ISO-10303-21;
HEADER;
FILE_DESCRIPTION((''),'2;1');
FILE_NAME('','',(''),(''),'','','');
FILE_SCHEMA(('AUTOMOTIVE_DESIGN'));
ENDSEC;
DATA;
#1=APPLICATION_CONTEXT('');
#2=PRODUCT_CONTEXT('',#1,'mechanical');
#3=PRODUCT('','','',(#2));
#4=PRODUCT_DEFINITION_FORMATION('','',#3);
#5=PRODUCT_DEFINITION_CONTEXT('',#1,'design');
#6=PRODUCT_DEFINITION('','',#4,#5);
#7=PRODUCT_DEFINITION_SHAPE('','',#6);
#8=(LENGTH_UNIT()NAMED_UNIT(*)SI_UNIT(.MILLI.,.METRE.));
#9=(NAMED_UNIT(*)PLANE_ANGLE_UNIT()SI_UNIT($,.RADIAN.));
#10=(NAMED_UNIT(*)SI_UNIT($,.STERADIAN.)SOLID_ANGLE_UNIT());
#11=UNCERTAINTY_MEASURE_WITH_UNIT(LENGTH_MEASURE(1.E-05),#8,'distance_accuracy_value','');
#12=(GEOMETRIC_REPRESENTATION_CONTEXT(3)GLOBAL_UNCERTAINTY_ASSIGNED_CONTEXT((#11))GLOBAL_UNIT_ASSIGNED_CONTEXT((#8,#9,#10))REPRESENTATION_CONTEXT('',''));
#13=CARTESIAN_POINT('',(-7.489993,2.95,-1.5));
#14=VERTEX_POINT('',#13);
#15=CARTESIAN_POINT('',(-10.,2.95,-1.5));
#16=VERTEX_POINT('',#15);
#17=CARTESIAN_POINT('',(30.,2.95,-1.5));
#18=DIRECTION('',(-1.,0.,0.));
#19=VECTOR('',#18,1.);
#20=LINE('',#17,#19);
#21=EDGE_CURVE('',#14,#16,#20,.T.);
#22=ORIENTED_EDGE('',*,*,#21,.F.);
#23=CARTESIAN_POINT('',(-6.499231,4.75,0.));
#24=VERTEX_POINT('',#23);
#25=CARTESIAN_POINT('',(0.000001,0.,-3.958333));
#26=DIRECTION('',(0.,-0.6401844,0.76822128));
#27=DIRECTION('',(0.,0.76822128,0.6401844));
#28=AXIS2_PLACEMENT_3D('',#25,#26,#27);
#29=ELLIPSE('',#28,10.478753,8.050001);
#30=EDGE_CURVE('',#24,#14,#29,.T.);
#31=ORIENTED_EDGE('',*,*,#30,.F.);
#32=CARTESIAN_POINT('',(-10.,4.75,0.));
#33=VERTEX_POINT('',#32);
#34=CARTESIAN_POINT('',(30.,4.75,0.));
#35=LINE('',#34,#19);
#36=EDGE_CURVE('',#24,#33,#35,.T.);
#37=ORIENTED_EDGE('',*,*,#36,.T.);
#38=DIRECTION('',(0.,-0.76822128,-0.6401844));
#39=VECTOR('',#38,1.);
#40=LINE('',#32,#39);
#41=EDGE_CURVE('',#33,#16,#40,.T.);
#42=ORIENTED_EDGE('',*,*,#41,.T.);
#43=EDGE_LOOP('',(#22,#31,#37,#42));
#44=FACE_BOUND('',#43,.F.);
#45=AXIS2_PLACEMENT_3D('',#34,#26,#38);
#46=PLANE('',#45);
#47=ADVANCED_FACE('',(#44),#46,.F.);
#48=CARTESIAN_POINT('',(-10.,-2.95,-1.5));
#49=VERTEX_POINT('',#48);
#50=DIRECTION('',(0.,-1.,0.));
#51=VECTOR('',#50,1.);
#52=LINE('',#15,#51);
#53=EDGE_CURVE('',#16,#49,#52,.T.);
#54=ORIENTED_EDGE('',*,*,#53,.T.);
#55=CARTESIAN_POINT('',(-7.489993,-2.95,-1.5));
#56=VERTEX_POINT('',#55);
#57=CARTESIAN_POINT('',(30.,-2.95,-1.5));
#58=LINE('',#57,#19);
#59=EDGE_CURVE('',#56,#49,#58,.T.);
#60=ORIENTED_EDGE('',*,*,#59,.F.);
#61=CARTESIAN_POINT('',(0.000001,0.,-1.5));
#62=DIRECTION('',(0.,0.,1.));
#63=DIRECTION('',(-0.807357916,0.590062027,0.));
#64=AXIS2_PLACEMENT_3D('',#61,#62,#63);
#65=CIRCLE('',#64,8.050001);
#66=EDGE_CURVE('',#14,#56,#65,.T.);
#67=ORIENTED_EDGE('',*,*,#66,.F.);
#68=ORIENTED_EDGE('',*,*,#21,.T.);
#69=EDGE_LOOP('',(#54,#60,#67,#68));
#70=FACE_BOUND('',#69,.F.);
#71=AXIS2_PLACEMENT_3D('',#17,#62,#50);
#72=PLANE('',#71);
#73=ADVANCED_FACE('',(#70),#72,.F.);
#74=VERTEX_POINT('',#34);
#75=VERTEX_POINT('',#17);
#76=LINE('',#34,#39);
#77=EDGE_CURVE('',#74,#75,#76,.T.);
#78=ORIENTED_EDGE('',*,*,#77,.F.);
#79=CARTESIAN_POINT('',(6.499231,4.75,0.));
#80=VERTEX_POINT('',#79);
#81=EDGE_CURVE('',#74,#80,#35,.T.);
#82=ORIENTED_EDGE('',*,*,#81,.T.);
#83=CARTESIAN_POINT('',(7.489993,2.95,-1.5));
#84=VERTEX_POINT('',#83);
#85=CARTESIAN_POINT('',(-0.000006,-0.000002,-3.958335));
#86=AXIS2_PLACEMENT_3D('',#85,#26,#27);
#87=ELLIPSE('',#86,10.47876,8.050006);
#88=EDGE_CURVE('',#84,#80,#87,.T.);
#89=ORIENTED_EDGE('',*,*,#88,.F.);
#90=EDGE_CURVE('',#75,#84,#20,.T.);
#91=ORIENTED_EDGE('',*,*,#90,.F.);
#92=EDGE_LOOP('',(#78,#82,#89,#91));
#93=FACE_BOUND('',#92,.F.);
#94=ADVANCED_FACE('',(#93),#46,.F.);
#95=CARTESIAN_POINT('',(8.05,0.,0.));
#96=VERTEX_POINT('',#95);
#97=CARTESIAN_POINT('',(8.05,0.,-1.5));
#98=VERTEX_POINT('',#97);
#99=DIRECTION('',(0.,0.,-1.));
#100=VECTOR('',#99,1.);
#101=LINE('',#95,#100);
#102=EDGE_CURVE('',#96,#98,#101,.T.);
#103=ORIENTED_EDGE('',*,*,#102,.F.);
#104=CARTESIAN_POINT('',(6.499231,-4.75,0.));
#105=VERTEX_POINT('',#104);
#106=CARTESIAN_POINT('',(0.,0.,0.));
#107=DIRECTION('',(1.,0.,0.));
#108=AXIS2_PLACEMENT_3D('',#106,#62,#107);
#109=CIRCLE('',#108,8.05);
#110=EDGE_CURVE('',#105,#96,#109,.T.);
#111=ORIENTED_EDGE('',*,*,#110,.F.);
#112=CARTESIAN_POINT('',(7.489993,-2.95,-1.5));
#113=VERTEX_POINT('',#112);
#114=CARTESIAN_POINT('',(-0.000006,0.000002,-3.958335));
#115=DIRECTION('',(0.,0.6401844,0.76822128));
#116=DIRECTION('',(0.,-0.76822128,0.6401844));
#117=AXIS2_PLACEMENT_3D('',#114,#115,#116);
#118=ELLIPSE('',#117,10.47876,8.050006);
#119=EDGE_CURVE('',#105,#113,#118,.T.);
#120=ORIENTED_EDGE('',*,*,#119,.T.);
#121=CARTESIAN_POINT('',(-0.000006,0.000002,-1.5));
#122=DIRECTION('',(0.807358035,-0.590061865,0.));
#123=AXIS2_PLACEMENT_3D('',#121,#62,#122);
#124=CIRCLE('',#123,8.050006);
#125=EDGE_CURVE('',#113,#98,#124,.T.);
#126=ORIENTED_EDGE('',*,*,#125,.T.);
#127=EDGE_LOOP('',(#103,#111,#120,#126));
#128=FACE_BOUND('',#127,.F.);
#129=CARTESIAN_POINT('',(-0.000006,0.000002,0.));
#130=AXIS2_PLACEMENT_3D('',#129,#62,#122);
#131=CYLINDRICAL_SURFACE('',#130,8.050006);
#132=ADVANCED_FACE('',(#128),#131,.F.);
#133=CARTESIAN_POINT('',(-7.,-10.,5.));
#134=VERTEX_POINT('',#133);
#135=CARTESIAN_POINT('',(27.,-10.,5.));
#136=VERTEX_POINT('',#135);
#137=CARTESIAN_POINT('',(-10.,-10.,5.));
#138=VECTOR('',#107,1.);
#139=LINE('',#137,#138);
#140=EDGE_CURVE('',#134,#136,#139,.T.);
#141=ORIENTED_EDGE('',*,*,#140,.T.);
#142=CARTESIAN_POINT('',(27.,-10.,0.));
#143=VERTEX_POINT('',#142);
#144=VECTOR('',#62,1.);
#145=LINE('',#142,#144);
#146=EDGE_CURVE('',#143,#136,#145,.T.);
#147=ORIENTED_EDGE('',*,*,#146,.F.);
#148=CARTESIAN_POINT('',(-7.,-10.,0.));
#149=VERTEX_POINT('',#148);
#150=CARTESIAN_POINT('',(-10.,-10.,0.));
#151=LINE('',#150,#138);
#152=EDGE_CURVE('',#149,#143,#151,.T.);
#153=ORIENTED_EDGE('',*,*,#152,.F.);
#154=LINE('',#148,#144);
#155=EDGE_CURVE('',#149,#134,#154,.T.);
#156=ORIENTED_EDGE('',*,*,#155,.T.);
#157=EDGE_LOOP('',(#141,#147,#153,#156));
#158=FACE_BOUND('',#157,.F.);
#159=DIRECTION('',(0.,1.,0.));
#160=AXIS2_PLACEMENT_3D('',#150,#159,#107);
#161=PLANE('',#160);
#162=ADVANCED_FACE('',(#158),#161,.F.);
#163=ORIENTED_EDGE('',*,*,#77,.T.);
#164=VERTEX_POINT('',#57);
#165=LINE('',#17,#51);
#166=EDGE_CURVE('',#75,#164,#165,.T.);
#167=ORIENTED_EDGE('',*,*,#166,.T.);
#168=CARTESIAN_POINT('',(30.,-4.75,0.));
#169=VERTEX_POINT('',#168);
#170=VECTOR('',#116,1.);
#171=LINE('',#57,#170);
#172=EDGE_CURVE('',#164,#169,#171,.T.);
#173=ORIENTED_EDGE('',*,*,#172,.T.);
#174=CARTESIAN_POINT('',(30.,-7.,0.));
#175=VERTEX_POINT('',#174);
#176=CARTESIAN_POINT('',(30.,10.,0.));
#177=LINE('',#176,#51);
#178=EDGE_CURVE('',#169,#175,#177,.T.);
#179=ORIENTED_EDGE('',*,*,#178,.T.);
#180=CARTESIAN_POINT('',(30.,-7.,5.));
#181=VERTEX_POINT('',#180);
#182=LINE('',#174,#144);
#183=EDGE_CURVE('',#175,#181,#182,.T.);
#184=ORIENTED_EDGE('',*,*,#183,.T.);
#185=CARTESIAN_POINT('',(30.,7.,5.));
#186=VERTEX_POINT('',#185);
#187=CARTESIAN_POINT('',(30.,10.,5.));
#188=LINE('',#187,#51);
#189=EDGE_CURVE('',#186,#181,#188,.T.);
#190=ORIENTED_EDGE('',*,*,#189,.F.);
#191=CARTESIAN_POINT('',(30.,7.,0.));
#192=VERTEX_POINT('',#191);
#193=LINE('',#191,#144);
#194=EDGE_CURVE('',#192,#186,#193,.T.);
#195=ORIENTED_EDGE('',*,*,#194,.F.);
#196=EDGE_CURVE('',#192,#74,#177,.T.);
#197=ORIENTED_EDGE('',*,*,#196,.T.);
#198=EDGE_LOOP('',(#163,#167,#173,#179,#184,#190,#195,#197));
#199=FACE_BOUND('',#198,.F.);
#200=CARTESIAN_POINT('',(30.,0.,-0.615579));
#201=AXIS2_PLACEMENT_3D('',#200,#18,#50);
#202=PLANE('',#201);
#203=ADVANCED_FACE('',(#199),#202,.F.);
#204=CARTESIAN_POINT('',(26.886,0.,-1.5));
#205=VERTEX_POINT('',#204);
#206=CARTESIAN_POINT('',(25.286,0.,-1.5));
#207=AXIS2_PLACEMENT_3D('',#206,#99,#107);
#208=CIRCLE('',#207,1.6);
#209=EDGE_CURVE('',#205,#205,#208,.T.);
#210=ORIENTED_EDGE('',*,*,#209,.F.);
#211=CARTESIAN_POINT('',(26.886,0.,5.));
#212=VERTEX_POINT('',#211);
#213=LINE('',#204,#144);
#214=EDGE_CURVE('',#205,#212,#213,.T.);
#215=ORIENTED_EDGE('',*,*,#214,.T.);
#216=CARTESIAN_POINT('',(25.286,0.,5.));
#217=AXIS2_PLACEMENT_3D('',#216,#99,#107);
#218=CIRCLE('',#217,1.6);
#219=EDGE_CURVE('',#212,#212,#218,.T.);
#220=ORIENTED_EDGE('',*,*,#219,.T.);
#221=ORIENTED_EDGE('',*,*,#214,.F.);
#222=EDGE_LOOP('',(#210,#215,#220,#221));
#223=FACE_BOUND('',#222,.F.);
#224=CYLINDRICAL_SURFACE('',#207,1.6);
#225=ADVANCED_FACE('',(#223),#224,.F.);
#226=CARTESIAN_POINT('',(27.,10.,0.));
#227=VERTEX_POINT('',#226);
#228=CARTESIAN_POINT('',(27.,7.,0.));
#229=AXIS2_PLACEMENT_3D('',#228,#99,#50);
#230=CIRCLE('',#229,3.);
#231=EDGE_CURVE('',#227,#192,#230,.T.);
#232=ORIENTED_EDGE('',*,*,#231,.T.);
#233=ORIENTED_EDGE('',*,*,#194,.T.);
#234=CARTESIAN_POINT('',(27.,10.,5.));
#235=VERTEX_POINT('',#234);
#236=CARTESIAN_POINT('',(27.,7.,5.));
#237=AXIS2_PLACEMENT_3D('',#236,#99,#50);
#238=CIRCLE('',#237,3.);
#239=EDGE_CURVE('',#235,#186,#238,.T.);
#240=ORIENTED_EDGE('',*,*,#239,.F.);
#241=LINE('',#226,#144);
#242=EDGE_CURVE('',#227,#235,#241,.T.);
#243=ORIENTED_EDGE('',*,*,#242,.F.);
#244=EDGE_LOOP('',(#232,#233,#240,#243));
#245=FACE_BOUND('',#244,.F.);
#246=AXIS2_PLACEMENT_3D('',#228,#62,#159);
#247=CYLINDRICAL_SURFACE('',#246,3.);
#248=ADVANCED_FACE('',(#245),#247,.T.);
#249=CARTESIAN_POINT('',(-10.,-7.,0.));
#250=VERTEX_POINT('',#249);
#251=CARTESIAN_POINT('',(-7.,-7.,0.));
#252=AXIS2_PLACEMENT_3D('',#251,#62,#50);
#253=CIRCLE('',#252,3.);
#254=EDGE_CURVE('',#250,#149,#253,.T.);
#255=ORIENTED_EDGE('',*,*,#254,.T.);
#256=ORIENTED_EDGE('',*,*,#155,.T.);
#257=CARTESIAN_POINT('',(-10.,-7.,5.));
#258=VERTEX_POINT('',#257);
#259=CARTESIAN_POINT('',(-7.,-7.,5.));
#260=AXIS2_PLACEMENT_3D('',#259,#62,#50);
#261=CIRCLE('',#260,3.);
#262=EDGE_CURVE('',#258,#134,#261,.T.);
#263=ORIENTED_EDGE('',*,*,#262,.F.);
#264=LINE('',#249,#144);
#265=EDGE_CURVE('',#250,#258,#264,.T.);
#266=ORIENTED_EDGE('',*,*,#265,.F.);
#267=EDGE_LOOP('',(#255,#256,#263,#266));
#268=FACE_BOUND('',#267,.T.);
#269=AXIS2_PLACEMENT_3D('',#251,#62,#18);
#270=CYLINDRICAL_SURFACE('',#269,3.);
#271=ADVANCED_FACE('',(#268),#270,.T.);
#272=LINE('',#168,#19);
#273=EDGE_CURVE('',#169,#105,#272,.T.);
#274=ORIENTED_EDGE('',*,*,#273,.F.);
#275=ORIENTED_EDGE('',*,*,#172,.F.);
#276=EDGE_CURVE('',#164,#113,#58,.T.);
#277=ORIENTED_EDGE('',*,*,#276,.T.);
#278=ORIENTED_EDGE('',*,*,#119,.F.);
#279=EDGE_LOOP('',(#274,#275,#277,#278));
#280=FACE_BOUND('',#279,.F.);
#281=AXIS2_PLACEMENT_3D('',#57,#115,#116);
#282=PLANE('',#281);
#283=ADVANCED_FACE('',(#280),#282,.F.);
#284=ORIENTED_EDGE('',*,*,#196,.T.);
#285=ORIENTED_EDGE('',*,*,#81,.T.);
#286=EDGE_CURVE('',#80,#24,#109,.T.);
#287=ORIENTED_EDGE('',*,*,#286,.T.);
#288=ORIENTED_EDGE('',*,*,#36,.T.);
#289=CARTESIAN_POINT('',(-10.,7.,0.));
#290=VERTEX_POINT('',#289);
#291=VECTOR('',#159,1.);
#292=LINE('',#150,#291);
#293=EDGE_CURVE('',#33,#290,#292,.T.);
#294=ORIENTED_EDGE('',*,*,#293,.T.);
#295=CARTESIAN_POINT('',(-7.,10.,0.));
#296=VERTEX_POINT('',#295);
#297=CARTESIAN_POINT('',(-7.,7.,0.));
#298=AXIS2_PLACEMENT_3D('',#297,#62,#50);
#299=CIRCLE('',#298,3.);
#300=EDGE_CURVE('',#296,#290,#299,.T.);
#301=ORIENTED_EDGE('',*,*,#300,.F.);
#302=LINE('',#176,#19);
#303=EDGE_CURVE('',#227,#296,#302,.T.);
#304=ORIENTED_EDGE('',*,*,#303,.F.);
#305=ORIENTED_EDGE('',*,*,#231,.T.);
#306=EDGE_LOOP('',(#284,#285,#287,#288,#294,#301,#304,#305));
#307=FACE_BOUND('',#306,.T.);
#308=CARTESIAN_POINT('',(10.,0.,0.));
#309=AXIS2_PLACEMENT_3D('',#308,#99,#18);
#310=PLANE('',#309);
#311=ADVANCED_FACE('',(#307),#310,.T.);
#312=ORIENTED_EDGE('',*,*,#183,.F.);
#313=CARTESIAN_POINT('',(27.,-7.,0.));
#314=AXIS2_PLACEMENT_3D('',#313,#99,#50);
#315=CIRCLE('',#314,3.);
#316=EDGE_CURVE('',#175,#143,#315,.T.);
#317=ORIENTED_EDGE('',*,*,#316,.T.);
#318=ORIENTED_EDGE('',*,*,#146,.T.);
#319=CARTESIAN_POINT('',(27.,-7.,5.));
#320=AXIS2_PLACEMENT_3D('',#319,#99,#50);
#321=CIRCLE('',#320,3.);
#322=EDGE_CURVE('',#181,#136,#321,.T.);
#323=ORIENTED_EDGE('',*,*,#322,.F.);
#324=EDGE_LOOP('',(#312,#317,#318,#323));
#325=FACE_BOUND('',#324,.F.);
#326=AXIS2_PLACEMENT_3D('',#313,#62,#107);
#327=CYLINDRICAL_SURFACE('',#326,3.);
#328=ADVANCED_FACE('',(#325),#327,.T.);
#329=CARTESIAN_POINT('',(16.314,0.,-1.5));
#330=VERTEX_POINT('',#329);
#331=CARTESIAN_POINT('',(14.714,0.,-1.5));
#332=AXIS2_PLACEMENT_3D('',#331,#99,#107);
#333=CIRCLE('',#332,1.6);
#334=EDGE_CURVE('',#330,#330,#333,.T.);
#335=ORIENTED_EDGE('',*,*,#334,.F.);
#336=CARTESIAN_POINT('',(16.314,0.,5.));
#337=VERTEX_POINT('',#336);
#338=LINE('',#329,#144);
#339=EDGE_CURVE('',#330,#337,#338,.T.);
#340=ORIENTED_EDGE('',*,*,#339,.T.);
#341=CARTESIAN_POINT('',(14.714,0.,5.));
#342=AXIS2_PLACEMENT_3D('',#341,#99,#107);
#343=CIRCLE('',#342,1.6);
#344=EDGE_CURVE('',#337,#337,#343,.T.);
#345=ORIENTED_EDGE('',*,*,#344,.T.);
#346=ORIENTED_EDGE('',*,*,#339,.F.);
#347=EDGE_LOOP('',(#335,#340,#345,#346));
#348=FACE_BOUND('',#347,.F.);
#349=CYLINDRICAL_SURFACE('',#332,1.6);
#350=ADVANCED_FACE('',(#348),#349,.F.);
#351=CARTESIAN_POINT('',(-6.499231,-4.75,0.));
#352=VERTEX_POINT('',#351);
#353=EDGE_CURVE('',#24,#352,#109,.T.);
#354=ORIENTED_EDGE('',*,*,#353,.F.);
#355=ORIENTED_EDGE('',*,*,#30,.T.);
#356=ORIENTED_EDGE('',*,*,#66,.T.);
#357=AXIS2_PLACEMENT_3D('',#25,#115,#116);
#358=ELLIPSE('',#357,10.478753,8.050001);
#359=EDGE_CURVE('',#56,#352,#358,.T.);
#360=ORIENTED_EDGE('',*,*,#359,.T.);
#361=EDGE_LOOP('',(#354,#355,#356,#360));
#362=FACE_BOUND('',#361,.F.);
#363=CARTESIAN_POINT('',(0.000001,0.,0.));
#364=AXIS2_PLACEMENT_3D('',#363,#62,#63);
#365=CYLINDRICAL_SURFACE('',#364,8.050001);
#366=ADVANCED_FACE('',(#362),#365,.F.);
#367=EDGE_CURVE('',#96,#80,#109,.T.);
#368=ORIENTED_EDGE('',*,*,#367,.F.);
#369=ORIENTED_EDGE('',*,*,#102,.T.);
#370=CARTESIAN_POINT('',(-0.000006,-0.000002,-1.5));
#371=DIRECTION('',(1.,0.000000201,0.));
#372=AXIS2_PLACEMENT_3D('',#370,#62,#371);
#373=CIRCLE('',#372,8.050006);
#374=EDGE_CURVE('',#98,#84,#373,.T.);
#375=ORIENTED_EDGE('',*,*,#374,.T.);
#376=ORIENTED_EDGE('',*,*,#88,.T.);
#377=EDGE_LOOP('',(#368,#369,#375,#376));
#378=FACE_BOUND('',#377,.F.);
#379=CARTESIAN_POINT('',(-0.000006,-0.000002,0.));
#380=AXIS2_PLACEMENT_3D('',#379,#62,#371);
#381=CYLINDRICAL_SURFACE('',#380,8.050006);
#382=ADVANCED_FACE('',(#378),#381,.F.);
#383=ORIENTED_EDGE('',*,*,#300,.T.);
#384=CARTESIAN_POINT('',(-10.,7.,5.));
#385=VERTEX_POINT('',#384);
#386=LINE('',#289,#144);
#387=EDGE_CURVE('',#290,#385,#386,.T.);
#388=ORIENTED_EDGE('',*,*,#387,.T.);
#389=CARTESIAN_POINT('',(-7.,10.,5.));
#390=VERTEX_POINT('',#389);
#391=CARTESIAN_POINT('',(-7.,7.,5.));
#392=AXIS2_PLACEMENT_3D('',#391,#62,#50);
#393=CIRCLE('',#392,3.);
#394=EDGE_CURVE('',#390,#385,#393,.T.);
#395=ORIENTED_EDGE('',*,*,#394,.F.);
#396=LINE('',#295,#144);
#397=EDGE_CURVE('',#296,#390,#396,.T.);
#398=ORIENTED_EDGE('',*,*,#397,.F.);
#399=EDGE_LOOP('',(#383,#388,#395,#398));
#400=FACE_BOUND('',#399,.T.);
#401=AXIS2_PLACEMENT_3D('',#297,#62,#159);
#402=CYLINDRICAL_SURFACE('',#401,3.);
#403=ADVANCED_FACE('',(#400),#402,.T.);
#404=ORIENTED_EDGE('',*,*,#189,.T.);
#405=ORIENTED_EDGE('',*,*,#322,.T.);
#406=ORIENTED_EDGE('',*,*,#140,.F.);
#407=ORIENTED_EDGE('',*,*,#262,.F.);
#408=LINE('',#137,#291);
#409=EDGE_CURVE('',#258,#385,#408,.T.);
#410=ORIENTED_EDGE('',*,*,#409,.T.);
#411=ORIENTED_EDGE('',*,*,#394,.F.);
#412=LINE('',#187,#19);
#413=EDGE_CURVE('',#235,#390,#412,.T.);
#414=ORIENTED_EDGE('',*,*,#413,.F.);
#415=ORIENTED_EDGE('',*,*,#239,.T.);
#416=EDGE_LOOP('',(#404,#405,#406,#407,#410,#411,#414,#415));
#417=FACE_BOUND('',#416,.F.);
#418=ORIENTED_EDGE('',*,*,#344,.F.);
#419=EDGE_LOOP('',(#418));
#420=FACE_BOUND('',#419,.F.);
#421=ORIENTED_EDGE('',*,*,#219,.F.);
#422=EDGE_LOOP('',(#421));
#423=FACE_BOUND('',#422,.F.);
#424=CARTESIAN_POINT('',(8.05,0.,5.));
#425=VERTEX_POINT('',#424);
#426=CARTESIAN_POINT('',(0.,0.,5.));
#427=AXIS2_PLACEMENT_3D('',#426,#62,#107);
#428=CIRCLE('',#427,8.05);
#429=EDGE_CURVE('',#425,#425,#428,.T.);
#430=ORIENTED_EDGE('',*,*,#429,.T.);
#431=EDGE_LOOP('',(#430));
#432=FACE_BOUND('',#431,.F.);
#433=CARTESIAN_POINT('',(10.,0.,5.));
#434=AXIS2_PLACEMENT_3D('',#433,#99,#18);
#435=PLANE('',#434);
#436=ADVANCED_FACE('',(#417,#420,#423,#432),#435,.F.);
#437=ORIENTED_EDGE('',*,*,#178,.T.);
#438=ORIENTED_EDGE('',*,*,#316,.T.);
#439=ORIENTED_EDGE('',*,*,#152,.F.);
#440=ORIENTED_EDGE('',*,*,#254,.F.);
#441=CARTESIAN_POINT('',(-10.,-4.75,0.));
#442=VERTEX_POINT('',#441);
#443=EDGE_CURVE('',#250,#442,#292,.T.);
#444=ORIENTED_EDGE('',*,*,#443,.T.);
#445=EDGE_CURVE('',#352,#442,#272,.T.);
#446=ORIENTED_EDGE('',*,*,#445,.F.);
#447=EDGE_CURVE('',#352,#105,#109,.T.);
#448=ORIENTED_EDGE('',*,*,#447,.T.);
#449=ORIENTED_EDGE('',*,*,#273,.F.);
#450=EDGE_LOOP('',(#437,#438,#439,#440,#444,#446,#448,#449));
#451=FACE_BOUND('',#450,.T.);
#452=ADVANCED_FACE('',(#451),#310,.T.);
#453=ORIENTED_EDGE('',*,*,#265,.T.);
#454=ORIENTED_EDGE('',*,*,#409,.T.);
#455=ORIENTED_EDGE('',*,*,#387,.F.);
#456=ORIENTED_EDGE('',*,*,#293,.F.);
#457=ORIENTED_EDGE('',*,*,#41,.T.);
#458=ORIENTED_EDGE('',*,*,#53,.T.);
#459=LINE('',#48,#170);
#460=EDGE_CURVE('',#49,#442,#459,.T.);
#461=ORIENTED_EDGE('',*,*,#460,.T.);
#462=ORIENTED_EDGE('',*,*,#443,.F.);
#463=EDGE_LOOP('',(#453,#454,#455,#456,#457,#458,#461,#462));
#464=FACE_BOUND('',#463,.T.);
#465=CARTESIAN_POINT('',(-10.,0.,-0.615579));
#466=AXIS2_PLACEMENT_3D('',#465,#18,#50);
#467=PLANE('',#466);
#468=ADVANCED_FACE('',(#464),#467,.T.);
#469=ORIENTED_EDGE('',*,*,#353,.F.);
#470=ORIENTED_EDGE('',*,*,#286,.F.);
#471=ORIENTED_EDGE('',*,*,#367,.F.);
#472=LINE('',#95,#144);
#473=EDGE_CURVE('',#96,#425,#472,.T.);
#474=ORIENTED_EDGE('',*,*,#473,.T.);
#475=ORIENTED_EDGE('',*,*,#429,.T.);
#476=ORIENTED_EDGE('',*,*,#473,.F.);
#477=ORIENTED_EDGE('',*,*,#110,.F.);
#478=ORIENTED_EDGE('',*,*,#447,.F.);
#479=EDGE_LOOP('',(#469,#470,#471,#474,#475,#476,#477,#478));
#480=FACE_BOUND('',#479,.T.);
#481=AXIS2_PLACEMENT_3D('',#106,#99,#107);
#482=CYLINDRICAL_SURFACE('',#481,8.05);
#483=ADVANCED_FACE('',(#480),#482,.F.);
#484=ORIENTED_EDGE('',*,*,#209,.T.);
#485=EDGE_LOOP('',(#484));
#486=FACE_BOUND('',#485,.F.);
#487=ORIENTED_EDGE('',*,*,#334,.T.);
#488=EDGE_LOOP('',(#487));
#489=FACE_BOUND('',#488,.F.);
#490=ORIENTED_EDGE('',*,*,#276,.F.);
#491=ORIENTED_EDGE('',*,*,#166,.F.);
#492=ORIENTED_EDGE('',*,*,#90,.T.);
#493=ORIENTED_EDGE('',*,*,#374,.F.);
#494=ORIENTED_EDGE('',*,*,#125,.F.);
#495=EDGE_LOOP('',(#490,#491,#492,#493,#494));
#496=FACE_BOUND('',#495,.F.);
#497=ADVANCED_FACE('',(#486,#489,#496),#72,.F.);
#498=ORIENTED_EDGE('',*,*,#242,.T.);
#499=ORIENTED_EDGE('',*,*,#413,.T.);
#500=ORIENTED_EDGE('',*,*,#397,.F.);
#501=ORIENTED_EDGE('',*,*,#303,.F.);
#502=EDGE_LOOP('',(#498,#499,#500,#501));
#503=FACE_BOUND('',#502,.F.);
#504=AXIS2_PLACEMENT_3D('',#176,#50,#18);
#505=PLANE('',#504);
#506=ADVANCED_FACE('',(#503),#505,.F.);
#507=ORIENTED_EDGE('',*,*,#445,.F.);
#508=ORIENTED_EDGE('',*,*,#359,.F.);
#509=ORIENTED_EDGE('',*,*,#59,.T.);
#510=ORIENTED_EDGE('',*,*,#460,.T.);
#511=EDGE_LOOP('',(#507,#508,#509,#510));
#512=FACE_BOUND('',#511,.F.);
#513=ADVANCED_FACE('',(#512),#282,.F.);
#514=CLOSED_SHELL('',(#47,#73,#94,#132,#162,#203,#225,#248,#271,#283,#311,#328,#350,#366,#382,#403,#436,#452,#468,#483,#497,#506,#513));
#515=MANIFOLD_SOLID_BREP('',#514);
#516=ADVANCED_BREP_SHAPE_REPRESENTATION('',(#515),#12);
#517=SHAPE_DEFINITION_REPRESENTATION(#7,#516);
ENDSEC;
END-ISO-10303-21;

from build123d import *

# Parameters (mm, degrees)
SKETCH_R        = 8.05
PAD_DEPTH       = 5
PAD001_DEPTH    = 40
POCKET_DEPTH    = 1.501
SKETCH002_R     = 1.6
POCKET001_DEPTH = 6.501
FILLET_R        = 3


with BuildPart() as part:
    # Sketch → Pad (new body)
    with BuildSketch(Plane.XY):
        Polygon((-10, 10), (10, 10), (30, 10), (30, -10), (10, -10), (-10, -10), align=None)
        Circle(SKETCH_R, mode=Mode.SUBTRACT)
    extrude(amount=PAD_DEPTH)

    # Sketch001 (on Face3 of Pad) → Pad001 (join)
    with BuildSketch(Plane.YZ.offset(30)):
        Polygon((-4.75, 0), (4.75, 0), (2.95, -1.5), (-2.95, -1.5), align=None)
    extrude(amount=-PAD001_DEPTH)

    # Pad001 Face16 → Pocket (cut, through all)
    with BuildSketch(Plane(origin=(0, 0, 0), x_dir=(0, 1, 0), z_dir=(0, 0, 1))):
        with BuildLine():
            ThreePointArc((-4.75, -6.499231), (-2.498369, -7.652493), (0, -8.05))
            ThreePointArc((0, -8.05), (2.498369, -7.652493), (4.75, -6.499231))
            Line((4.75, -6.499231), (4.75, 6.499231))
            ThreePointArc((4.75, 6.499231), (0, 8.05), (-4.75, 6.499231))
            Line((-4.75, 6.499231), (-4.75, -6.499231))
        make_face()
    extrude(amount=-POCKET_DEPTH, mode=Mode.SUBTRACT)

    # Sketch002 (on Face18 of Pocket) → Pocket001 (cut, through all)
    with BuildSketch(Plane(origin=(0, 0, -1.5), x_dir=(1, 0, 0), z_dir=(0, 0, -1))):
        with Locations((14.714, 0)):
            Circle(SKETCH002_R)
        with Locations((25.286, 0)):
            Circle(SKETCH002_R)
    extrude(amount=-POCKET001_DEPTH, mode=Mode.SUBTRACT)

    # Fillet
    fillet_edges = [part.edges().sort_by_distance(p)[0] for p in [
        (30, -10, 2.5),
        (30, 10, 2.5),
        (-10, -10, 2.5),
        (-10, 10, 2.5),
    ]]
    fillet(fillet_edges, radius=FILLET_R)


solid = part.part
